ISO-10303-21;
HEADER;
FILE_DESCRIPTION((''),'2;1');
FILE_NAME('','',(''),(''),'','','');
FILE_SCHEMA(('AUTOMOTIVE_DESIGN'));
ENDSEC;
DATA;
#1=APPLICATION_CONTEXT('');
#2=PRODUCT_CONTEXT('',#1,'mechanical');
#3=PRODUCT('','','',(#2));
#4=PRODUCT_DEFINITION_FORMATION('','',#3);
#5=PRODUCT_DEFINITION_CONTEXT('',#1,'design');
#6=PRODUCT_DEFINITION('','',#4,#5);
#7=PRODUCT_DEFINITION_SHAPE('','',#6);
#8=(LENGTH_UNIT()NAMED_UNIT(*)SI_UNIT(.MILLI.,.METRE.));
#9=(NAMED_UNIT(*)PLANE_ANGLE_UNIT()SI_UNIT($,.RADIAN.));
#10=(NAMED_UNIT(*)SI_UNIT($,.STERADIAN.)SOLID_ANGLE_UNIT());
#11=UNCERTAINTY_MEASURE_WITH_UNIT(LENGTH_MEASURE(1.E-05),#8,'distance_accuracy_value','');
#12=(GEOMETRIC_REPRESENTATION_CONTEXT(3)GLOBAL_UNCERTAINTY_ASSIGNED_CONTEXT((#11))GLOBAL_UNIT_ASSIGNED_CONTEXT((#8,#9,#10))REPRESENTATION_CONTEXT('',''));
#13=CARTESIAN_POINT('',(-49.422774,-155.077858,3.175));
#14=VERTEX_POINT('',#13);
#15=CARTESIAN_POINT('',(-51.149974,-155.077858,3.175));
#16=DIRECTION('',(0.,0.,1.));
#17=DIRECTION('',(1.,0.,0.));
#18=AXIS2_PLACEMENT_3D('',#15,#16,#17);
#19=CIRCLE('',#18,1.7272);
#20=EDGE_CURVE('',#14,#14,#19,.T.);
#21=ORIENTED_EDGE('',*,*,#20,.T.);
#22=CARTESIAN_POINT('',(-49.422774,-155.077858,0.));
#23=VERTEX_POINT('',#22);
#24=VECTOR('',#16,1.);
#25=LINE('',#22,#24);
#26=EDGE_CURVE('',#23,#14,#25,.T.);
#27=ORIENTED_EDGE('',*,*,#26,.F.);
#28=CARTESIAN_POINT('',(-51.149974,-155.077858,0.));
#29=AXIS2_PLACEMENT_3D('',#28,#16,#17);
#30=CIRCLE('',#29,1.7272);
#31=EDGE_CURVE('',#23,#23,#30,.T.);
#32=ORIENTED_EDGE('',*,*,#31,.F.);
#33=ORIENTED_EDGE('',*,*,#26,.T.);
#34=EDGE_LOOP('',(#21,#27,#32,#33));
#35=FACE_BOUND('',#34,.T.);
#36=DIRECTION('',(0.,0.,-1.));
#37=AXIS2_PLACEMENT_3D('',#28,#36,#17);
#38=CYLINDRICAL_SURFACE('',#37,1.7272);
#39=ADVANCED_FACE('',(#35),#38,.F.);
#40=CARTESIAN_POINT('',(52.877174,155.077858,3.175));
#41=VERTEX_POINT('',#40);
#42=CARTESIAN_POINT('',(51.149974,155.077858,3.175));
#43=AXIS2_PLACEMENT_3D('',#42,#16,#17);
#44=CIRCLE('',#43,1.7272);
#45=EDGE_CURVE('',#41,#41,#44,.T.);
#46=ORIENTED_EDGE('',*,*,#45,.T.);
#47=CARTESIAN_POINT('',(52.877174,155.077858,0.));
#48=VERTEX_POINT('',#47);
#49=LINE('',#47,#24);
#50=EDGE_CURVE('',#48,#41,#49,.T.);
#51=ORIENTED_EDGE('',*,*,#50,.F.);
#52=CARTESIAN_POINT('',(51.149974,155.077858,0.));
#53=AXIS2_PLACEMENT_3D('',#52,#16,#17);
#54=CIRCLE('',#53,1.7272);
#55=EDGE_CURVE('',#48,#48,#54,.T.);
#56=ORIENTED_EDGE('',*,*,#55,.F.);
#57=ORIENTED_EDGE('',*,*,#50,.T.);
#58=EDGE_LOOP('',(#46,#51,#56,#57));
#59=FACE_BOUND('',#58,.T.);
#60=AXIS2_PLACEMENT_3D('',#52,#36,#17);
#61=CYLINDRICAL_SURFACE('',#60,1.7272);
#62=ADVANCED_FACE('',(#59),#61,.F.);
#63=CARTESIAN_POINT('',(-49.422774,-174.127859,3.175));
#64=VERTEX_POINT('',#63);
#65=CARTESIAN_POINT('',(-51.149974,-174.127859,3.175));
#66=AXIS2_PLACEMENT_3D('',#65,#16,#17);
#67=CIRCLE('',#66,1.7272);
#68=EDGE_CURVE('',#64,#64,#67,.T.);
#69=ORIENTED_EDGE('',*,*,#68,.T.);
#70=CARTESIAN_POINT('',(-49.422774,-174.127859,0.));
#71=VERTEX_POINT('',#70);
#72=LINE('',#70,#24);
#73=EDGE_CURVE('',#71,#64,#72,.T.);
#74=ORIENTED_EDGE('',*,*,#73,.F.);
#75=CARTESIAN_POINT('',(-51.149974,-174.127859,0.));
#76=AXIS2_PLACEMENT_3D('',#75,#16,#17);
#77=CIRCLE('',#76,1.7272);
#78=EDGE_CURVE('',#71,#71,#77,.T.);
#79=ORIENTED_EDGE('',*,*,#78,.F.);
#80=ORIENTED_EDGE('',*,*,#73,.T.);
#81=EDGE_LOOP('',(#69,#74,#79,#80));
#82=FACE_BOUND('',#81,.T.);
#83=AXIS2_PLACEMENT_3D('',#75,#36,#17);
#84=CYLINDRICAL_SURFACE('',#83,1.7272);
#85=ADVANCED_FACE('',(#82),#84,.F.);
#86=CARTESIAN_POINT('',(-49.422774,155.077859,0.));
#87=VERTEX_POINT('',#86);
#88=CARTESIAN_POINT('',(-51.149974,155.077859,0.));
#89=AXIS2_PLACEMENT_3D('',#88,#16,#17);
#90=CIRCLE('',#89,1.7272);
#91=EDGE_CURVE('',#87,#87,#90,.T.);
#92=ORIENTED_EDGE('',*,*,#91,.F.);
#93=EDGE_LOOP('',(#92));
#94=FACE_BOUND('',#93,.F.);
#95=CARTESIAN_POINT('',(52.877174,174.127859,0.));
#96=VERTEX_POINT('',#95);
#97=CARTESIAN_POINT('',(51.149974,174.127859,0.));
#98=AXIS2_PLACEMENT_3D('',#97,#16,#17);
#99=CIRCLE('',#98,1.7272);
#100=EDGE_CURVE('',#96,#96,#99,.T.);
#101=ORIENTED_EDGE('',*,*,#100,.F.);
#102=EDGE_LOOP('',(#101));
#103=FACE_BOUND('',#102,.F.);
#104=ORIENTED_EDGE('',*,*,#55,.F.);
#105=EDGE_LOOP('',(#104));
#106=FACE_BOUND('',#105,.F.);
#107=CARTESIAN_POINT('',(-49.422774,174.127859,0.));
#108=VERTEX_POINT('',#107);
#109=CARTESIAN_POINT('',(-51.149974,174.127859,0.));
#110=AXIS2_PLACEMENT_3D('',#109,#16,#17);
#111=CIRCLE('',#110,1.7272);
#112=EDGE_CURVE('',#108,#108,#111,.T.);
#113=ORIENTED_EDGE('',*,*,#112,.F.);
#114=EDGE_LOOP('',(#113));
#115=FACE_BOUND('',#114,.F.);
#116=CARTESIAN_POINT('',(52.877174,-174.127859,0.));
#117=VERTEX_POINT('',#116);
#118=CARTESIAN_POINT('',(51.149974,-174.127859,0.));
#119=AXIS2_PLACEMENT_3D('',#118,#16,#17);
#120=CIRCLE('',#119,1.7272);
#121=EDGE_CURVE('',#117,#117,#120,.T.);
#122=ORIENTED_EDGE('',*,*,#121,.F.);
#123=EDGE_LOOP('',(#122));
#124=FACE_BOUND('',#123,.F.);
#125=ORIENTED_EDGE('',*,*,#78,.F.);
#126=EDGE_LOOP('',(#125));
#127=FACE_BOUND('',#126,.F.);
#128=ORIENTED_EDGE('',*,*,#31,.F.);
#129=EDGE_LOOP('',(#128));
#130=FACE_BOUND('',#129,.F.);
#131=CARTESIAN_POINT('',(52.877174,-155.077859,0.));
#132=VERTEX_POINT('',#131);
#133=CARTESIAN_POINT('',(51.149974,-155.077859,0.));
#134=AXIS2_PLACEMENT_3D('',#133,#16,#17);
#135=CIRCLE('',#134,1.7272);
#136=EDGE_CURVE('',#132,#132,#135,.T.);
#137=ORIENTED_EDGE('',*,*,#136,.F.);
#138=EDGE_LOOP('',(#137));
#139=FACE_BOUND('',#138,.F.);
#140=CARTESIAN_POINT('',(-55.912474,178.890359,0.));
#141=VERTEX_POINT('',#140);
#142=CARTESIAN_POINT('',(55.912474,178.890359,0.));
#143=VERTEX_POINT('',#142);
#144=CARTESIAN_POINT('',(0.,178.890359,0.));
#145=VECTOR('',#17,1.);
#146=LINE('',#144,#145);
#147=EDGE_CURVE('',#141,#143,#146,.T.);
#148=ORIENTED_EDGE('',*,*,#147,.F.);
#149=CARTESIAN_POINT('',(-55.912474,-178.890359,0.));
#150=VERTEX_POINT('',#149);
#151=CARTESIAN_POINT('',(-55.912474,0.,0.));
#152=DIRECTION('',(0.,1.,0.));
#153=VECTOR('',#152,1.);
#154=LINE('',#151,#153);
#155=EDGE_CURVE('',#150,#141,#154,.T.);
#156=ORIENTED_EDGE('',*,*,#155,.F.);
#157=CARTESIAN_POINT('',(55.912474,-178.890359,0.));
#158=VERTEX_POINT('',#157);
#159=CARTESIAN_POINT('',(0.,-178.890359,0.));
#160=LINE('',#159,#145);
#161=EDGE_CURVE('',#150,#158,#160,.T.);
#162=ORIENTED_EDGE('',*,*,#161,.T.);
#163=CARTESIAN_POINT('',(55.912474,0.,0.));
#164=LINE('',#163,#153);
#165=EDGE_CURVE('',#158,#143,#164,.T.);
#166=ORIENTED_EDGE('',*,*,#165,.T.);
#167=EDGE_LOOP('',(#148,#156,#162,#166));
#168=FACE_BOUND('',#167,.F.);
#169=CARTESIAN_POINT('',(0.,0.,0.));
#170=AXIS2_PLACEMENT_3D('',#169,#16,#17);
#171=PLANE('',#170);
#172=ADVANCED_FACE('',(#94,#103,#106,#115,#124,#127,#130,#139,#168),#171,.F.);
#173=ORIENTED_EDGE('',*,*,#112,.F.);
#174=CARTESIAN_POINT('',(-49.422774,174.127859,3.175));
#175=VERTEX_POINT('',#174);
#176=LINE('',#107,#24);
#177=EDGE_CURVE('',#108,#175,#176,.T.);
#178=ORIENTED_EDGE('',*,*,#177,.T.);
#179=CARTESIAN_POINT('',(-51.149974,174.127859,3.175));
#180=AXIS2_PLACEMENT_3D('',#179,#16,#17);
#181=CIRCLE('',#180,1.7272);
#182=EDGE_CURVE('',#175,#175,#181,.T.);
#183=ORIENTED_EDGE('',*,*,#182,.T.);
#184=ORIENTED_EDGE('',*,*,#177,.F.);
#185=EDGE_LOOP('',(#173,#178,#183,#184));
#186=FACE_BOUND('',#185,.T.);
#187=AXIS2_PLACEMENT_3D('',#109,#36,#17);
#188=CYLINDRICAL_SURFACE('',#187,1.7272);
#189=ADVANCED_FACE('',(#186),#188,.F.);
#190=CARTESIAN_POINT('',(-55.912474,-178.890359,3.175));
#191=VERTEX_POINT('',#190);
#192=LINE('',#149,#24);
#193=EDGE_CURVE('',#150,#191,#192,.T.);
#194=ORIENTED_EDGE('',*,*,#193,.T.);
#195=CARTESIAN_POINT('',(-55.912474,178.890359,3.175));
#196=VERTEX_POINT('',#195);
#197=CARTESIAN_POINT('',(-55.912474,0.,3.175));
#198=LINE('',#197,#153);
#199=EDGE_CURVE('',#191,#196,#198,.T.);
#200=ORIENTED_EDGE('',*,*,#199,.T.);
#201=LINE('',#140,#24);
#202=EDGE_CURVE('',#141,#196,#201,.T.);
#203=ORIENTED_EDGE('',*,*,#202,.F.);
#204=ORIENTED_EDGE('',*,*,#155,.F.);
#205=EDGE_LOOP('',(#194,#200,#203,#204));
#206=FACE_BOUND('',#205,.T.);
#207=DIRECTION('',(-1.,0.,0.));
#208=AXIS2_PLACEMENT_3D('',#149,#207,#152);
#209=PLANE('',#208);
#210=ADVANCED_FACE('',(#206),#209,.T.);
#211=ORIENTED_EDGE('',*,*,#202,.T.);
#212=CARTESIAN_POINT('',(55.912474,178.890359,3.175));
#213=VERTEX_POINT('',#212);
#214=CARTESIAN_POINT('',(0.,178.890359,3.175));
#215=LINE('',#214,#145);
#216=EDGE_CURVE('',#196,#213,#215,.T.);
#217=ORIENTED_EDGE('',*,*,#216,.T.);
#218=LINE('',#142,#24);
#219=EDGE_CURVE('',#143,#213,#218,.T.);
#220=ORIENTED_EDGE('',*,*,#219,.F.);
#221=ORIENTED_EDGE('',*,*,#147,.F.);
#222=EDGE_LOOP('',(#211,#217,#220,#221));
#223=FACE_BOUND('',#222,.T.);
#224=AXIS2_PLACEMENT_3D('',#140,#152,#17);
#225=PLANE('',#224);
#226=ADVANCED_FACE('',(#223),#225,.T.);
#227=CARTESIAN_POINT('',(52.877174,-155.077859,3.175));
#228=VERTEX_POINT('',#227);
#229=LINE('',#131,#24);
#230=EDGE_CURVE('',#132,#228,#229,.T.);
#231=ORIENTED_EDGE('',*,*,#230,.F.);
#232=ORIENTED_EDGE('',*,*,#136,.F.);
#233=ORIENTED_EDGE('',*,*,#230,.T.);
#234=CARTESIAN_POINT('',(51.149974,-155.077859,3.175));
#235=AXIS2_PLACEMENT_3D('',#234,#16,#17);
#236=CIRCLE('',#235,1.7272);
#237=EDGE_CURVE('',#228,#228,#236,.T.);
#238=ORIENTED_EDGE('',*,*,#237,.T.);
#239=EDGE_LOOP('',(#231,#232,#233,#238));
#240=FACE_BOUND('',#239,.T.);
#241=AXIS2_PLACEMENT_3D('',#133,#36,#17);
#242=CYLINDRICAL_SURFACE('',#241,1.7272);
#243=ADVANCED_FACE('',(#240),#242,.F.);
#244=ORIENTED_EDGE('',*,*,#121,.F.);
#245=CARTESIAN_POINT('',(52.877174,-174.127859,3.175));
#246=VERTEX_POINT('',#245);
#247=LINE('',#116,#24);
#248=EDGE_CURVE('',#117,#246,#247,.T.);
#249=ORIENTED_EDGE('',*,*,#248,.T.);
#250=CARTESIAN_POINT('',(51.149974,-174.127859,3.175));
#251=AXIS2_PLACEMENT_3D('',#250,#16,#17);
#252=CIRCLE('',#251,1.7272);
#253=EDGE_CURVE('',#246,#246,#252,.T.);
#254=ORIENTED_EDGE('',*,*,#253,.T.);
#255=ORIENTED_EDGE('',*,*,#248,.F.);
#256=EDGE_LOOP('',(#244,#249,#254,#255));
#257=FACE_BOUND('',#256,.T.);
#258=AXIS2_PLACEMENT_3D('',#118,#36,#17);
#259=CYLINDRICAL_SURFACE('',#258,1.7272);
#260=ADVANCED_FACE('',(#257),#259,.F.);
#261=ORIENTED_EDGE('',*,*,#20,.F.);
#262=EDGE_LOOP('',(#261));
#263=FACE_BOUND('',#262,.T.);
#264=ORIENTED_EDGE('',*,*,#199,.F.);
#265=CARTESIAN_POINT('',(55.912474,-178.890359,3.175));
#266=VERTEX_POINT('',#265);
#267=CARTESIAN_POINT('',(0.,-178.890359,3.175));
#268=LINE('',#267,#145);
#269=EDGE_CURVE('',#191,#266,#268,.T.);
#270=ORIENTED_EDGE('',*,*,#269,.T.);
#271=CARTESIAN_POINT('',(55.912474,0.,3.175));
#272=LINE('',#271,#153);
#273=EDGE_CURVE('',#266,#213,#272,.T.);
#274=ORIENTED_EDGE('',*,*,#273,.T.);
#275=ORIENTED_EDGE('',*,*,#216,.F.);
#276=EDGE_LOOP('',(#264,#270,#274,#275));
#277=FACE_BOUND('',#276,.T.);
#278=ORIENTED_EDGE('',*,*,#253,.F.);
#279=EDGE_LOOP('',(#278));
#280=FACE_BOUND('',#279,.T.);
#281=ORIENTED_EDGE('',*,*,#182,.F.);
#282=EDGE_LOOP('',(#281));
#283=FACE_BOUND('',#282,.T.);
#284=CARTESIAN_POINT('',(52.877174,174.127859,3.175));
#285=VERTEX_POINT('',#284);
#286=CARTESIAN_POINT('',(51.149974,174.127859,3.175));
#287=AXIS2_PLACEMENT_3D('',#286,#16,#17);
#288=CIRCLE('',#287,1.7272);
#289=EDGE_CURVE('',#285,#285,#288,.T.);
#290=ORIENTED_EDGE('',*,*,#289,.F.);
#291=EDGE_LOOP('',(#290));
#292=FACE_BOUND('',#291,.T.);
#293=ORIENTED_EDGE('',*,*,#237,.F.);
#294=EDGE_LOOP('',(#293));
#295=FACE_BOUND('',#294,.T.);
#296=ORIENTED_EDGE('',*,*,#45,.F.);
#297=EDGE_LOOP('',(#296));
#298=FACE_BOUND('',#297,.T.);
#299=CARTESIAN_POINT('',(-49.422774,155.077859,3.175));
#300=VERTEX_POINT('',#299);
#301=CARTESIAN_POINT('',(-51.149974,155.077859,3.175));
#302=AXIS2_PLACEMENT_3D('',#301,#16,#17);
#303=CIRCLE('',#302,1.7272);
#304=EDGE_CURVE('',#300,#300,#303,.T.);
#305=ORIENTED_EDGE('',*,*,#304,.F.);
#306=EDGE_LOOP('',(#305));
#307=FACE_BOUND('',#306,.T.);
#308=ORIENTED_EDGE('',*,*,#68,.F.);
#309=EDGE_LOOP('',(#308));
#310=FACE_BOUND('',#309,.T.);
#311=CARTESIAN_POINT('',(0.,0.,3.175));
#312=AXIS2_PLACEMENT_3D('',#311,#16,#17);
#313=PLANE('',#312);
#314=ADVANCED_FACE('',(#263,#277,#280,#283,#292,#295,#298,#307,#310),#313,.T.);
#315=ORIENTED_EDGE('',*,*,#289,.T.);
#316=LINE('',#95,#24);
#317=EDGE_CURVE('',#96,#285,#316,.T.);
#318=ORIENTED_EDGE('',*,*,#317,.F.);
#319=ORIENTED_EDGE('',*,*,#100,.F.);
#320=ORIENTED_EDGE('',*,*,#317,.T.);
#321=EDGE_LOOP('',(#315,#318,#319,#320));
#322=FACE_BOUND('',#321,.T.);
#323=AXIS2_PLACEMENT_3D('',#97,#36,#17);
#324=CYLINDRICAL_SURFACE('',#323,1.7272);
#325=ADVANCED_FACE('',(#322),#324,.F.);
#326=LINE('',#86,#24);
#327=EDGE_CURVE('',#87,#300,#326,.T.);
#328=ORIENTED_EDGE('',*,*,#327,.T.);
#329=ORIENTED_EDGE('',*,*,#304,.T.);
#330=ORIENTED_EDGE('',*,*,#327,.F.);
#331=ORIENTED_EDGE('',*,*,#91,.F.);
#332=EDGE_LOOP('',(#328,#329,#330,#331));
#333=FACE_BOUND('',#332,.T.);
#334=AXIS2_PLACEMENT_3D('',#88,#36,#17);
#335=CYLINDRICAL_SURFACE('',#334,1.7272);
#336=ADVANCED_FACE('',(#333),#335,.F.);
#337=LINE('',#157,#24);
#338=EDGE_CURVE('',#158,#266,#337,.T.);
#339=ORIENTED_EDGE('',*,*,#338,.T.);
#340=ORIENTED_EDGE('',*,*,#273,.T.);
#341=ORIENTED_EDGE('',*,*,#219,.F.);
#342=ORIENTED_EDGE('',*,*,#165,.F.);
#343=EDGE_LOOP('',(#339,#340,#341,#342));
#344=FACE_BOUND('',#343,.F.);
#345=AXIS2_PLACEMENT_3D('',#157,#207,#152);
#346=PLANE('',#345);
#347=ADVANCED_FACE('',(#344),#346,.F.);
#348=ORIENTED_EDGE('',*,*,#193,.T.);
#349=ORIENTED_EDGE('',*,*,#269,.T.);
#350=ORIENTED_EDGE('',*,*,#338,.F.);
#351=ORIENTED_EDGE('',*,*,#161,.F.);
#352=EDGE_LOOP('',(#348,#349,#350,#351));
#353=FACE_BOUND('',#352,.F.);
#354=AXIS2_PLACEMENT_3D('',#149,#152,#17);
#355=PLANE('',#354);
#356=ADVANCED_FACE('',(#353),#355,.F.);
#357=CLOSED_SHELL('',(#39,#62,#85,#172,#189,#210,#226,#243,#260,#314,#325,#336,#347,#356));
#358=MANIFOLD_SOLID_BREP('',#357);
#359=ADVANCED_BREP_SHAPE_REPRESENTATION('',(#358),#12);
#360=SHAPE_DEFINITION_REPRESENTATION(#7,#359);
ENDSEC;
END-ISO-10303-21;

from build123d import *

# Parameters (mm, degrees)
F0_W     = 111.824948
F0_H     = 357.780718
F0_R     = 1.7272
F1_DEPTH = 3.175


with BuildPart() as f1:
    # F0 (on Top) → F1 (new body)
    with BuildSketch(Plane.XY):
        Rectangle(F0_W, F0_H)
        with Locations((-51.149974, -174.127859)):
            Circle(F0_R, mode=Mode.SUBTRACT)
        with Locations((-51.149974, -155.077858)):
            Circle(F0_R, mode=Mode.SUBTRACT)
        with Locations((51.149974, -174.127859)):
            Circle(F0_R, mode=Mode.SUBTRACT)
        with Locations((51.149974, -155.077859)):
            Circle(F0_R, mode=Mode.SUBTRACT)
        with Locations((-51.149974, 155.077859)):
            Circle(F0_R, mode=Mode.SUBTRACT)
        with Locations((-51.149974, 174.127859)):
            Circle(F0_R, mode=Mode.SUBTRACT)
        with Locations((51.149974, 155.077858)):
            Circle(F0_R, mode=Mode.SUBTRACT)
        with Locations((51.149974, 174.127859)):
            Circle(F0_R, mode=Mode.SUBTRACT)
    extrude(amount=F1_DEPTH)


solid = f1.part
